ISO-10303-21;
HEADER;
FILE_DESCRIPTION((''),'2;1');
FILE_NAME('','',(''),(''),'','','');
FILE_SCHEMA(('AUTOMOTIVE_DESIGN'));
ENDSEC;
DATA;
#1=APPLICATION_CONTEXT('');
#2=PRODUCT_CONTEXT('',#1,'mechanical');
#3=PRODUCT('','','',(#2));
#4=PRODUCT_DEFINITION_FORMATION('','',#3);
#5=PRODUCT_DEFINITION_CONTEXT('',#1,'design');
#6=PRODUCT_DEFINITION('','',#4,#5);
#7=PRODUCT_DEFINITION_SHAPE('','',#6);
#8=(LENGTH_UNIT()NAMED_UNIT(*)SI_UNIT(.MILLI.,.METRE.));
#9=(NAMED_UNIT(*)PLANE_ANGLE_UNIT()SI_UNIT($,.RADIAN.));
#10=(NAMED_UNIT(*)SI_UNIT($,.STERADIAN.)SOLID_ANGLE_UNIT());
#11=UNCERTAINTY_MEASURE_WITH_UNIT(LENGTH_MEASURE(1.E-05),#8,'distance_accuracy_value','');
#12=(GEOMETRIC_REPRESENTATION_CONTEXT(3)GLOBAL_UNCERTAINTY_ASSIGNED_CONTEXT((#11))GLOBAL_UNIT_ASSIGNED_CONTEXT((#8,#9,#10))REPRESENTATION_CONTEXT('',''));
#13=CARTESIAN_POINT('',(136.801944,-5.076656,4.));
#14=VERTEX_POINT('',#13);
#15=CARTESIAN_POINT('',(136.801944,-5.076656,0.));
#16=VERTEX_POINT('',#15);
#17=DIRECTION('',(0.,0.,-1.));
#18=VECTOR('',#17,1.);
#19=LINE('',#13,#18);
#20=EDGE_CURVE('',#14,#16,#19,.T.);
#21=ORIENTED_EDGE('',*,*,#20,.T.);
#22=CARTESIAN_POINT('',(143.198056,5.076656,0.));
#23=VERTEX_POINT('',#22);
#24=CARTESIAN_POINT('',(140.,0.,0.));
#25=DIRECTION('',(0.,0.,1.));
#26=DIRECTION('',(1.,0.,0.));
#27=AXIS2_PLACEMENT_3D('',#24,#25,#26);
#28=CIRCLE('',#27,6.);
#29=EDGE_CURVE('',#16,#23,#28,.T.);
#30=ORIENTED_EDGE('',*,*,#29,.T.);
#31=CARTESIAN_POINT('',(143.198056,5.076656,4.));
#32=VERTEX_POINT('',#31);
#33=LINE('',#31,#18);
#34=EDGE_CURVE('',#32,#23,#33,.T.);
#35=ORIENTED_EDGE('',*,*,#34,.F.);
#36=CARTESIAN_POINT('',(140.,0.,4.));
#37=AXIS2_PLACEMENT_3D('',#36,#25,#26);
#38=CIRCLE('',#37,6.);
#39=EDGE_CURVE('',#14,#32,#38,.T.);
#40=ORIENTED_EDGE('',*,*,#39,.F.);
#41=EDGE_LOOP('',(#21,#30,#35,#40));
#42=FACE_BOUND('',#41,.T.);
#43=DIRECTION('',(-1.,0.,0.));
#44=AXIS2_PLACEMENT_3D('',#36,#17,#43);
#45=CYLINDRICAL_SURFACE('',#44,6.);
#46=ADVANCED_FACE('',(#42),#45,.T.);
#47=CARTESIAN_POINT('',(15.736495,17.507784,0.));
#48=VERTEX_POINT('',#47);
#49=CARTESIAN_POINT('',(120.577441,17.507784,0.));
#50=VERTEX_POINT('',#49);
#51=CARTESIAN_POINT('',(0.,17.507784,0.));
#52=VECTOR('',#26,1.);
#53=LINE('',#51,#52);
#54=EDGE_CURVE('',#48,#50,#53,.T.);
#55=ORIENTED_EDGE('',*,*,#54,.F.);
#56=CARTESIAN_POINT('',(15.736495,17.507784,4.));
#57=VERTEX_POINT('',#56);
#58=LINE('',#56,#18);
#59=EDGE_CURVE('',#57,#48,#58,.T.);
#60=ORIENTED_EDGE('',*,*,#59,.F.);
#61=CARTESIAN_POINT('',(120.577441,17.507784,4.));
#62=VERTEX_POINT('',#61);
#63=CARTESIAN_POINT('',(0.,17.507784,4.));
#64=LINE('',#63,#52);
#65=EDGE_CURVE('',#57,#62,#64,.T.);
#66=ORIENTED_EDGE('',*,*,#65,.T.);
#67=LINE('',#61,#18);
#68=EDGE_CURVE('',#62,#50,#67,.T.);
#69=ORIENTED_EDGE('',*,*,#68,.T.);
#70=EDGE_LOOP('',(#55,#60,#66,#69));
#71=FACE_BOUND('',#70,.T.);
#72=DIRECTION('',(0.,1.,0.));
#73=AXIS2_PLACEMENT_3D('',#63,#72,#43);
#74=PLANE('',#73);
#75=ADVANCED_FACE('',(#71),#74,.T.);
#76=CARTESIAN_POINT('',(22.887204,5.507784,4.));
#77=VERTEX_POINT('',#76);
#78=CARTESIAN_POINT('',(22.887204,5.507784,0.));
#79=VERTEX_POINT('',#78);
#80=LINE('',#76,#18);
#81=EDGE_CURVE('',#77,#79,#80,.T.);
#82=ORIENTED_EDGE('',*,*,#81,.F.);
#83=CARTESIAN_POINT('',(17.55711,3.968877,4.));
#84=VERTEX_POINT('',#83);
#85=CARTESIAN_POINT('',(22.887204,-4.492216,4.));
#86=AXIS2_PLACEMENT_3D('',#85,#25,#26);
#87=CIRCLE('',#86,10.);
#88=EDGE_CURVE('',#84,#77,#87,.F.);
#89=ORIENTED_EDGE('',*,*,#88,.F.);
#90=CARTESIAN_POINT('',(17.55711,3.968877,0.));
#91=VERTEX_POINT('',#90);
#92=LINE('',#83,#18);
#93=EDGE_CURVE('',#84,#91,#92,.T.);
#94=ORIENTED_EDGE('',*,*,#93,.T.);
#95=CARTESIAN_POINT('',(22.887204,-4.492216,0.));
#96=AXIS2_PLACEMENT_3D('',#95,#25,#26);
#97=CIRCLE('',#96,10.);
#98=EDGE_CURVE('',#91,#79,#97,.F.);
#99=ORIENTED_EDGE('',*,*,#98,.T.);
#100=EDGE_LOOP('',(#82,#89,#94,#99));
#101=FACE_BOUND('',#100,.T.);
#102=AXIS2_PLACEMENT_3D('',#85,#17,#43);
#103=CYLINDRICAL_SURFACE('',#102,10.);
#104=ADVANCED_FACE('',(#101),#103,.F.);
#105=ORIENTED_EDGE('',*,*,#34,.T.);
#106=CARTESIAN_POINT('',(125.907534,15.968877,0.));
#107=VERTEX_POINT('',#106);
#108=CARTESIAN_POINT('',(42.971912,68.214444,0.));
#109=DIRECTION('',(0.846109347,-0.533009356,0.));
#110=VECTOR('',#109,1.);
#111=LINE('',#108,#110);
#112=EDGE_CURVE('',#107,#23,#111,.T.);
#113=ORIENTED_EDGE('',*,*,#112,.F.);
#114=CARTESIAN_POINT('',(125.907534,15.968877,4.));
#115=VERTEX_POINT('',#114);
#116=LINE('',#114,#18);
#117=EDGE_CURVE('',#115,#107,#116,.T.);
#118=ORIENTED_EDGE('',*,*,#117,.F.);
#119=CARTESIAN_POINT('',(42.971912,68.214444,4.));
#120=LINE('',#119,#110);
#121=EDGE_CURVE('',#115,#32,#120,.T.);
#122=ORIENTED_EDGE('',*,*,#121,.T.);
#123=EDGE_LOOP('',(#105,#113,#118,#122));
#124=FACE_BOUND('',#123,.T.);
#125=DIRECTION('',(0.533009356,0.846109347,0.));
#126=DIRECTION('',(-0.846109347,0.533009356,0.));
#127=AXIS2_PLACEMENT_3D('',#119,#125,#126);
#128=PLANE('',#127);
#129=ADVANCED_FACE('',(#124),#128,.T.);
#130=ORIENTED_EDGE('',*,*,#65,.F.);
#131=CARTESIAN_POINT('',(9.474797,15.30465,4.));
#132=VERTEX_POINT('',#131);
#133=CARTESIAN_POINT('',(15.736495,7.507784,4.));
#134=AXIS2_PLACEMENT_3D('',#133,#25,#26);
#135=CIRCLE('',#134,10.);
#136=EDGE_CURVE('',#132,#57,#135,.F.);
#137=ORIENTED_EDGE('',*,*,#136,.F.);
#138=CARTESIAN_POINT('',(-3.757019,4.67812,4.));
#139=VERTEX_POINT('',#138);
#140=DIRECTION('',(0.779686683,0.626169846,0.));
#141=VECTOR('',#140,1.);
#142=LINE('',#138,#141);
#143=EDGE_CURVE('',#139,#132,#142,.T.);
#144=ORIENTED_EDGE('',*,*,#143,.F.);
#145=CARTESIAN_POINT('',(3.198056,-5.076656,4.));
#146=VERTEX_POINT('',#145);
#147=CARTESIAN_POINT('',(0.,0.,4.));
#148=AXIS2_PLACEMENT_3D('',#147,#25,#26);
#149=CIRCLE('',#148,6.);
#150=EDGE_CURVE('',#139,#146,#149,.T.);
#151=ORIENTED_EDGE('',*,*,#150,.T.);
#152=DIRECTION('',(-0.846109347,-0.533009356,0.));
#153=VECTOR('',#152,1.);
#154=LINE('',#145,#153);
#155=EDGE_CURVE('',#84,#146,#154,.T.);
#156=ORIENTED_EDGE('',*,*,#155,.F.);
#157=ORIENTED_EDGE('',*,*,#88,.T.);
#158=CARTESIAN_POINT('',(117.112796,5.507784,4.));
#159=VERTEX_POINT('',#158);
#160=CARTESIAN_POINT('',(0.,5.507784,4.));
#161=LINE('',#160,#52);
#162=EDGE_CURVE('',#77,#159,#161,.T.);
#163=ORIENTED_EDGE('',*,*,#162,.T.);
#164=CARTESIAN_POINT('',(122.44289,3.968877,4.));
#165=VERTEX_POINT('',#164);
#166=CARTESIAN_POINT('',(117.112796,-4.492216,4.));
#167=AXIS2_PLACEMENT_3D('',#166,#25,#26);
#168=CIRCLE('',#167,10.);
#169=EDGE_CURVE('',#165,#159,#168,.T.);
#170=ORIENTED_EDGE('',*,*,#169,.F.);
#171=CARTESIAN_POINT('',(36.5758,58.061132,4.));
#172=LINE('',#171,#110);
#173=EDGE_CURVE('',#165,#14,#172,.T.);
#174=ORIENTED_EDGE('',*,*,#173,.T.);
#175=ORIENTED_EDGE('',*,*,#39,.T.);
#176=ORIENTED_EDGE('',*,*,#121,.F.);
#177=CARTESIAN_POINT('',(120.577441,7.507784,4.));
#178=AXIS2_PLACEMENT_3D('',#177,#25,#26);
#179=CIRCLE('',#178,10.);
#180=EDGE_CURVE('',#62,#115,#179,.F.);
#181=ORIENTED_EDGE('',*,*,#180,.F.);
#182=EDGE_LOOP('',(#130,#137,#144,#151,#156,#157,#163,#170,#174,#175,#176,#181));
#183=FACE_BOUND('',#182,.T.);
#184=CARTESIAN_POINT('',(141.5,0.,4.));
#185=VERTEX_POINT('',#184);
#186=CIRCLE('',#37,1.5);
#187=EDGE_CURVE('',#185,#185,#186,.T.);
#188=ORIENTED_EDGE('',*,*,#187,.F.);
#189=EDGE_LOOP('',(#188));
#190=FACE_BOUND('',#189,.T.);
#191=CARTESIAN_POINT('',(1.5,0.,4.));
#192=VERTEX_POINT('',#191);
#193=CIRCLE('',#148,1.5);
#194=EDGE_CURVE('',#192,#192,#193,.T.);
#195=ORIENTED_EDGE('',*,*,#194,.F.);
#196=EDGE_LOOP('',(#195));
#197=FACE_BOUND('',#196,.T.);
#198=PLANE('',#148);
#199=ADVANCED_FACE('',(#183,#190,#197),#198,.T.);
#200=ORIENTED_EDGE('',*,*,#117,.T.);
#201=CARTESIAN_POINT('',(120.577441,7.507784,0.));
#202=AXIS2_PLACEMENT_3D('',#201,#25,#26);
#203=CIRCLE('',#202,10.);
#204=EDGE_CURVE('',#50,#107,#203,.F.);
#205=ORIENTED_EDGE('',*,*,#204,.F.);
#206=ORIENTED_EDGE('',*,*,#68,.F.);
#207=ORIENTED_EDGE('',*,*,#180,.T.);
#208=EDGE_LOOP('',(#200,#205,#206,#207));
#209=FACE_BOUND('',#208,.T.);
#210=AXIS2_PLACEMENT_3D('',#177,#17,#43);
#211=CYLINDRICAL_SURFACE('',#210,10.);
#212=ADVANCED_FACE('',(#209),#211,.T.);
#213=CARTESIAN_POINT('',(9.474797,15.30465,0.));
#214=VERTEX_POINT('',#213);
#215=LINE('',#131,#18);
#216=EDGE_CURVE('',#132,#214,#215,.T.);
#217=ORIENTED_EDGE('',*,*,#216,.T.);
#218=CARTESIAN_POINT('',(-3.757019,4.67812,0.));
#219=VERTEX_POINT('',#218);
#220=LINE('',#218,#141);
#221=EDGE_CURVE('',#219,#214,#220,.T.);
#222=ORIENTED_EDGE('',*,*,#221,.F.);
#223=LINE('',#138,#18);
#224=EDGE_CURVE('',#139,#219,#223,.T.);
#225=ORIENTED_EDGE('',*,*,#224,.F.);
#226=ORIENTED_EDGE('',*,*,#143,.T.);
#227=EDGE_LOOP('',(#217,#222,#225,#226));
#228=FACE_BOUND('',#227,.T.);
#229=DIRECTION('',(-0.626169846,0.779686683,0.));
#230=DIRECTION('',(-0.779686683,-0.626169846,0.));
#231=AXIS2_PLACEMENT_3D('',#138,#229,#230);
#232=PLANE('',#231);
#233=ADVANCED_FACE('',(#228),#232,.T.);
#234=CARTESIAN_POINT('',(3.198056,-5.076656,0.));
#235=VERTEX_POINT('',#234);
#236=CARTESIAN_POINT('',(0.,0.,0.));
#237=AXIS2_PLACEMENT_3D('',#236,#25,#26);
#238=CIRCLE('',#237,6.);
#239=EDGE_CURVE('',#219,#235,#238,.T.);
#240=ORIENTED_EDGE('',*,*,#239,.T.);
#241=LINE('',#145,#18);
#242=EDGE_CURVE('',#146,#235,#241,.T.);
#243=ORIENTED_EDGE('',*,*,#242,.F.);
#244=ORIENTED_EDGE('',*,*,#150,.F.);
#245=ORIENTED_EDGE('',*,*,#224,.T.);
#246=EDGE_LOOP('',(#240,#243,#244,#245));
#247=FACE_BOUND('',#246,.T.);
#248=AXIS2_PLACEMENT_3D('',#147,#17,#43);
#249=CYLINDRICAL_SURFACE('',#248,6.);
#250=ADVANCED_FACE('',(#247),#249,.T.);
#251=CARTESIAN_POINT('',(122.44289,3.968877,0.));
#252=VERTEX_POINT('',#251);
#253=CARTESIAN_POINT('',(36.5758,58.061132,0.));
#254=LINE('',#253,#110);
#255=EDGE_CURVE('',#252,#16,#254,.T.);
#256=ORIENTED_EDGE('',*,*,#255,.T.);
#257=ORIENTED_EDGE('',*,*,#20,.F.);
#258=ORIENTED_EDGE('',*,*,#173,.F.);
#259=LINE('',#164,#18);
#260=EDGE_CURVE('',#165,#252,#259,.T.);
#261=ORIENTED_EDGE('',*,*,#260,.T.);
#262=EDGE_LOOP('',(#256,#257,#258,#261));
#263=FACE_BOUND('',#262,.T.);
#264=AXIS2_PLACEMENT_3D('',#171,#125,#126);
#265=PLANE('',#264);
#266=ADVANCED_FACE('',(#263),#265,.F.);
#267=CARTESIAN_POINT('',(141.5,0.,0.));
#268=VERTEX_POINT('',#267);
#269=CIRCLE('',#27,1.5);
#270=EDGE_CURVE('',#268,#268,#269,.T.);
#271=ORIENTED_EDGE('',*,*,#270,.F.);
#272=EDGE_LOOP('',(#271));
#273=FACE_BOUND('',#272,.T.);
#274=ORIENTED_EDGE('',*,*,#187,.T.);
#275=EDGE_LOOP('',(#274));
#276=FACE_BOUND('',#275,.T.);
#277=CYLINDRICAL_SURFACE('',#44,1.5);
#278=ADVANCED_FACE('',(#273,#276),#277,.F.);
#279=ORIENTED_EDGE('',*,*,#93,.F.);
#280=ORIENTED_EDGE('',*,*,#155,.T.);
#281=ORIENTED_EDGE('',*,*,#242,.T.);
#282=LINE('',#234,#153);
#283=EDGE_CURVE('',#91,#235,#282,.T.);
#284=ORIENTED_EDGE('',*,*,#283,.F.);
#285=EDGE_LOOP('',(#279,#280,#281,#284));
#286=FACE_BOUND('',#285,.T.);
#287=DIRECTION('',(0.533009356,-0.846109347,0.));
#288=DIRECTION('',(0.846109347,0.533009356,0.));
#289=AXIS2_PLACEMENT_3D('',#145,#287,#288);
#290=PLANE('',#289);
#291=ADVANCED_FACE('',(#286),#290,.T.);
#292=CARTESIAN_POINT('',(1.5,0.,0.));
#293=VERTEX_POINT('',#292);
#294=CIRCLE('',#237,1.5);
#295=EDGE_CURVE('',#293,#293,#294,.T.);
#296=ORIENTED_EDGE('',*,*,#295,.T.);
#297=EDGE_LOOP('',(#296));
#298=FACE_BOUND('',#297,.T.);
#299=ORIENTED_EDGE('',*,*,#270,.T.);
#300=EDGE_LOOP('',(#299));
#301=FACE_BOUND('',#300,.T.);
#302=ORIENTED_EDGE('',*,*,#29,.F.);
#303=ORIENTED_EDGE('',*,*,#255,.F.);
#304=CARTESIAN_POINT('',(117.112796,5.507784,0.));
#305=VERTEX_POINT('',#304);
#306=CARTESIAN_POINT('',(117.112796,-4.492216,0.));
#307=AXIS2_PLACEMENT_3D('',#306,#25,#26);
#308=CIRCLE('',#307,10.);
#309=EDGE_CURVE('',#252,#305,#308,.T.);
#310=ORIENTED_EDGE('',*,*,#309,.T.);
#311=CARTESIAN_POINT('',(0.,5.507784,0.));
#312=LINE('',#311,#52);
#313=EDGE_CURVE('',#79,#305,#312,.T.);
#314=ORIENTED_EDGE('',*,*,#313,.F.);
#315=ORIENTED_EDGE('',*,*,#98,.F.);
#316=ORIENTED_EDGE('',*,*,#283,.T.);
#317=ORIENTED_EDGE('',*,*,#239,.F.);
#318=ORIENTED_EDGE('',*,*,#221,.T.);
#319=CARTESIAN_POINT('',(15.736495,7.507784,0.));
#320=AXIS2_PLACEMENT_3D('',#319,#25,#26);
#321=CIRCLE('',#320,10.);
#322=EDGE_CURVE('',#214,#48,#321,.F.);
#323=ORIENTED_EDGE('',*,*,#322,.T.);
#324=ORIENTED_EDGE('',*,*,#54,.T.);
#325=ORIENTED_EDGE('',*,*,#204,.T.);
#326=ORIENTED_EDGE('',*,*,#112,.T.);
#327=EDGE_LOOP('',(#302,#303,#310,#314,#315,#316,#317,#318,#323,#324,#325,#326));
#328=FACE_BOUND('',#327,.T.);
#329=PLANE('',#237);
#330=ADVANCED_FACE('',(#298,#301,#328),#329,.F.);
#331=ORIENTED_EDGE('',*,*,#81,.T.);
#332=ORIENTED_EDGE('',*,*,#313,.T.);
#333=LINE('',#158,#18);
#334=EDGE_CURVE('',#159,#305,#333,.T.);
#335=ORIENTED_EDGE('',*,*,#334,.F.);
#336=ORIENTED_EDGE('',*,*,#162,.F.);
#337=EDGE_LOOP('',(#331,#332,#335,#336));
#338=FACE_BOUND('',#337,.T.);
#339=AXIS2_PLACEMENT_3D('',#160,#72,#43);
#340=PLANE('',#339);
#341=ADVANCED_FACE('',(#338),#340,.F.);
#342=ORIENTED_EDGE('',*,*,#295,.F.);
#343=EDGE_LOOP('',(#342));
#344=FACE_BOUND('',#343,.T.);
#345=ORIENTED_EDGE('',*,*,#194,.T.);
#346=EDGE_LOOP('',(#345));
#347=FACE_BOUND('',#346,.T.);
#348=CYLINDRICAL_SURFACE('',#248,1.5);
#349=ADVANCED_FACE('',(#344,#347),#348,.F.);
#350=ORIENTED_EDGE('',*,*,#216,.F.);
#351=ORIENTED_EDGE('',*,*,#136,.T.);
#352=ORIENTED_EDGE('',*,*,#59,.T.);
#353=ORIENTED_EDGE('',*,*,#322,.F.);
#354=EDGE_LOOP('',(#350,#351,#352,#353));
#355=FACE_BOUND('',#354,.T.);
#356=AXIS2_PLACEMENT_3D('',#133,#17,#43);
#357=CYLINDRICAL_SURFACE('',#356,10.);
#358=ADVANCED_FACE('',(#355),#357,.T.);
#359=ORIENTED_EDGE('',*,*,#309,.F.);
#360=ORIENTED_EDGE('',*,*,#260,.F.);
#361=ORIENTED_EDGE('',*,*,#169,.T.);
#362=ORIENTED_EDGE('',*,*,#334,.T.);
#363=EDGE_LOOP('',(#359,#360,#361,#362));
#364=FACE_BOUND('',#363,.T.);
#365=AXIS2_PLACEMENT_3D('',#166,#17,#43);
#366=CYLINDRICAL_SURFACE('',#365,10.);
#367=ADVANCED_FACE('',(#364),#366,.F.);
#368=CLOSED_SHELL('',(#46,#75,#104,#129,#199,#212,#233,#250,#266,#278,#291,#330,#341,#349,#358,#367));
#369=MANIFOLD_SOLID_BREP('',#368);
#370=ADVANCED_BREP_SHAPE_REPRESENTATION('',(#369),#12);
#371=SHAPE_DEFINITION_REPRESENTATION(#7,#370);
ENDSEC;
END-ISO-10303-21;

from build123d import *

# Parameters (mm, degrees)
SCHIZZO1_R                   = 1.5
ESTRUSIONE_ESTRUSIONE1_DEPTH = 4


with BuildPart() as part:
    # Schizzo1 → Estrusione-Estrusione1 (new body)
    with BuildSketch(Plane.XY):
        with BuildLine():
            Line((-3.757019077, 4.678120099), (9.474796834, 15.30465036))
            ThreePointArc((9.474796834, 15.30465036), (12.41750963, 16.940934337), (15.736495295, 17.507783529))
            Line((15.736495295, 17.507783529), (120.577440721, 17.507783529))
            ThreePointArc((120.577440721, 17.507783529), (123.351342788, 17.115356965), (125.907534283, 15.968876995))
            Line((125.907534283, 15.968876995), (143.198056137, 5.076656079))
            ThreePointArc((143.198056137, 5.076656079), (145.076656079, -3.198056137), (136.801943863, -5.076656079))
            Line((136.801943863, -5.076656079), (122.442889956, 3.968876995))
            ThreePointArc((122.442889956, 3.968876995), (119.886698461, 5.115356965), (117.112796394, 5.507783529))
            Line((117.112796394, 5.507783529), (22.887203606, 5.507783529))
            ThreePointArc((22.887203606, 5.507783529), (20.113301539, 5.115356965), (17.557110044, 3.968876995))
            Line((17.557110044, 3.968876995), (3.198056137, -5.076656079))
            ThreePointArc((3.198056137, -5.076656079), (-4.885388875, -3.483242102), (-3.757019077, 4.678120099))
        make_face()
        Circle(SCHIZZO1_R, mode=Mode.SUBTRACT)
        with Locations((140, 0)):
            Circle(SCHIZZO1_R, mode=Mode.SUBTRACT)
    extrude(amount=ESTRUSIONE_ESTRUSIONE1_DEPTH)


solid = part.part
